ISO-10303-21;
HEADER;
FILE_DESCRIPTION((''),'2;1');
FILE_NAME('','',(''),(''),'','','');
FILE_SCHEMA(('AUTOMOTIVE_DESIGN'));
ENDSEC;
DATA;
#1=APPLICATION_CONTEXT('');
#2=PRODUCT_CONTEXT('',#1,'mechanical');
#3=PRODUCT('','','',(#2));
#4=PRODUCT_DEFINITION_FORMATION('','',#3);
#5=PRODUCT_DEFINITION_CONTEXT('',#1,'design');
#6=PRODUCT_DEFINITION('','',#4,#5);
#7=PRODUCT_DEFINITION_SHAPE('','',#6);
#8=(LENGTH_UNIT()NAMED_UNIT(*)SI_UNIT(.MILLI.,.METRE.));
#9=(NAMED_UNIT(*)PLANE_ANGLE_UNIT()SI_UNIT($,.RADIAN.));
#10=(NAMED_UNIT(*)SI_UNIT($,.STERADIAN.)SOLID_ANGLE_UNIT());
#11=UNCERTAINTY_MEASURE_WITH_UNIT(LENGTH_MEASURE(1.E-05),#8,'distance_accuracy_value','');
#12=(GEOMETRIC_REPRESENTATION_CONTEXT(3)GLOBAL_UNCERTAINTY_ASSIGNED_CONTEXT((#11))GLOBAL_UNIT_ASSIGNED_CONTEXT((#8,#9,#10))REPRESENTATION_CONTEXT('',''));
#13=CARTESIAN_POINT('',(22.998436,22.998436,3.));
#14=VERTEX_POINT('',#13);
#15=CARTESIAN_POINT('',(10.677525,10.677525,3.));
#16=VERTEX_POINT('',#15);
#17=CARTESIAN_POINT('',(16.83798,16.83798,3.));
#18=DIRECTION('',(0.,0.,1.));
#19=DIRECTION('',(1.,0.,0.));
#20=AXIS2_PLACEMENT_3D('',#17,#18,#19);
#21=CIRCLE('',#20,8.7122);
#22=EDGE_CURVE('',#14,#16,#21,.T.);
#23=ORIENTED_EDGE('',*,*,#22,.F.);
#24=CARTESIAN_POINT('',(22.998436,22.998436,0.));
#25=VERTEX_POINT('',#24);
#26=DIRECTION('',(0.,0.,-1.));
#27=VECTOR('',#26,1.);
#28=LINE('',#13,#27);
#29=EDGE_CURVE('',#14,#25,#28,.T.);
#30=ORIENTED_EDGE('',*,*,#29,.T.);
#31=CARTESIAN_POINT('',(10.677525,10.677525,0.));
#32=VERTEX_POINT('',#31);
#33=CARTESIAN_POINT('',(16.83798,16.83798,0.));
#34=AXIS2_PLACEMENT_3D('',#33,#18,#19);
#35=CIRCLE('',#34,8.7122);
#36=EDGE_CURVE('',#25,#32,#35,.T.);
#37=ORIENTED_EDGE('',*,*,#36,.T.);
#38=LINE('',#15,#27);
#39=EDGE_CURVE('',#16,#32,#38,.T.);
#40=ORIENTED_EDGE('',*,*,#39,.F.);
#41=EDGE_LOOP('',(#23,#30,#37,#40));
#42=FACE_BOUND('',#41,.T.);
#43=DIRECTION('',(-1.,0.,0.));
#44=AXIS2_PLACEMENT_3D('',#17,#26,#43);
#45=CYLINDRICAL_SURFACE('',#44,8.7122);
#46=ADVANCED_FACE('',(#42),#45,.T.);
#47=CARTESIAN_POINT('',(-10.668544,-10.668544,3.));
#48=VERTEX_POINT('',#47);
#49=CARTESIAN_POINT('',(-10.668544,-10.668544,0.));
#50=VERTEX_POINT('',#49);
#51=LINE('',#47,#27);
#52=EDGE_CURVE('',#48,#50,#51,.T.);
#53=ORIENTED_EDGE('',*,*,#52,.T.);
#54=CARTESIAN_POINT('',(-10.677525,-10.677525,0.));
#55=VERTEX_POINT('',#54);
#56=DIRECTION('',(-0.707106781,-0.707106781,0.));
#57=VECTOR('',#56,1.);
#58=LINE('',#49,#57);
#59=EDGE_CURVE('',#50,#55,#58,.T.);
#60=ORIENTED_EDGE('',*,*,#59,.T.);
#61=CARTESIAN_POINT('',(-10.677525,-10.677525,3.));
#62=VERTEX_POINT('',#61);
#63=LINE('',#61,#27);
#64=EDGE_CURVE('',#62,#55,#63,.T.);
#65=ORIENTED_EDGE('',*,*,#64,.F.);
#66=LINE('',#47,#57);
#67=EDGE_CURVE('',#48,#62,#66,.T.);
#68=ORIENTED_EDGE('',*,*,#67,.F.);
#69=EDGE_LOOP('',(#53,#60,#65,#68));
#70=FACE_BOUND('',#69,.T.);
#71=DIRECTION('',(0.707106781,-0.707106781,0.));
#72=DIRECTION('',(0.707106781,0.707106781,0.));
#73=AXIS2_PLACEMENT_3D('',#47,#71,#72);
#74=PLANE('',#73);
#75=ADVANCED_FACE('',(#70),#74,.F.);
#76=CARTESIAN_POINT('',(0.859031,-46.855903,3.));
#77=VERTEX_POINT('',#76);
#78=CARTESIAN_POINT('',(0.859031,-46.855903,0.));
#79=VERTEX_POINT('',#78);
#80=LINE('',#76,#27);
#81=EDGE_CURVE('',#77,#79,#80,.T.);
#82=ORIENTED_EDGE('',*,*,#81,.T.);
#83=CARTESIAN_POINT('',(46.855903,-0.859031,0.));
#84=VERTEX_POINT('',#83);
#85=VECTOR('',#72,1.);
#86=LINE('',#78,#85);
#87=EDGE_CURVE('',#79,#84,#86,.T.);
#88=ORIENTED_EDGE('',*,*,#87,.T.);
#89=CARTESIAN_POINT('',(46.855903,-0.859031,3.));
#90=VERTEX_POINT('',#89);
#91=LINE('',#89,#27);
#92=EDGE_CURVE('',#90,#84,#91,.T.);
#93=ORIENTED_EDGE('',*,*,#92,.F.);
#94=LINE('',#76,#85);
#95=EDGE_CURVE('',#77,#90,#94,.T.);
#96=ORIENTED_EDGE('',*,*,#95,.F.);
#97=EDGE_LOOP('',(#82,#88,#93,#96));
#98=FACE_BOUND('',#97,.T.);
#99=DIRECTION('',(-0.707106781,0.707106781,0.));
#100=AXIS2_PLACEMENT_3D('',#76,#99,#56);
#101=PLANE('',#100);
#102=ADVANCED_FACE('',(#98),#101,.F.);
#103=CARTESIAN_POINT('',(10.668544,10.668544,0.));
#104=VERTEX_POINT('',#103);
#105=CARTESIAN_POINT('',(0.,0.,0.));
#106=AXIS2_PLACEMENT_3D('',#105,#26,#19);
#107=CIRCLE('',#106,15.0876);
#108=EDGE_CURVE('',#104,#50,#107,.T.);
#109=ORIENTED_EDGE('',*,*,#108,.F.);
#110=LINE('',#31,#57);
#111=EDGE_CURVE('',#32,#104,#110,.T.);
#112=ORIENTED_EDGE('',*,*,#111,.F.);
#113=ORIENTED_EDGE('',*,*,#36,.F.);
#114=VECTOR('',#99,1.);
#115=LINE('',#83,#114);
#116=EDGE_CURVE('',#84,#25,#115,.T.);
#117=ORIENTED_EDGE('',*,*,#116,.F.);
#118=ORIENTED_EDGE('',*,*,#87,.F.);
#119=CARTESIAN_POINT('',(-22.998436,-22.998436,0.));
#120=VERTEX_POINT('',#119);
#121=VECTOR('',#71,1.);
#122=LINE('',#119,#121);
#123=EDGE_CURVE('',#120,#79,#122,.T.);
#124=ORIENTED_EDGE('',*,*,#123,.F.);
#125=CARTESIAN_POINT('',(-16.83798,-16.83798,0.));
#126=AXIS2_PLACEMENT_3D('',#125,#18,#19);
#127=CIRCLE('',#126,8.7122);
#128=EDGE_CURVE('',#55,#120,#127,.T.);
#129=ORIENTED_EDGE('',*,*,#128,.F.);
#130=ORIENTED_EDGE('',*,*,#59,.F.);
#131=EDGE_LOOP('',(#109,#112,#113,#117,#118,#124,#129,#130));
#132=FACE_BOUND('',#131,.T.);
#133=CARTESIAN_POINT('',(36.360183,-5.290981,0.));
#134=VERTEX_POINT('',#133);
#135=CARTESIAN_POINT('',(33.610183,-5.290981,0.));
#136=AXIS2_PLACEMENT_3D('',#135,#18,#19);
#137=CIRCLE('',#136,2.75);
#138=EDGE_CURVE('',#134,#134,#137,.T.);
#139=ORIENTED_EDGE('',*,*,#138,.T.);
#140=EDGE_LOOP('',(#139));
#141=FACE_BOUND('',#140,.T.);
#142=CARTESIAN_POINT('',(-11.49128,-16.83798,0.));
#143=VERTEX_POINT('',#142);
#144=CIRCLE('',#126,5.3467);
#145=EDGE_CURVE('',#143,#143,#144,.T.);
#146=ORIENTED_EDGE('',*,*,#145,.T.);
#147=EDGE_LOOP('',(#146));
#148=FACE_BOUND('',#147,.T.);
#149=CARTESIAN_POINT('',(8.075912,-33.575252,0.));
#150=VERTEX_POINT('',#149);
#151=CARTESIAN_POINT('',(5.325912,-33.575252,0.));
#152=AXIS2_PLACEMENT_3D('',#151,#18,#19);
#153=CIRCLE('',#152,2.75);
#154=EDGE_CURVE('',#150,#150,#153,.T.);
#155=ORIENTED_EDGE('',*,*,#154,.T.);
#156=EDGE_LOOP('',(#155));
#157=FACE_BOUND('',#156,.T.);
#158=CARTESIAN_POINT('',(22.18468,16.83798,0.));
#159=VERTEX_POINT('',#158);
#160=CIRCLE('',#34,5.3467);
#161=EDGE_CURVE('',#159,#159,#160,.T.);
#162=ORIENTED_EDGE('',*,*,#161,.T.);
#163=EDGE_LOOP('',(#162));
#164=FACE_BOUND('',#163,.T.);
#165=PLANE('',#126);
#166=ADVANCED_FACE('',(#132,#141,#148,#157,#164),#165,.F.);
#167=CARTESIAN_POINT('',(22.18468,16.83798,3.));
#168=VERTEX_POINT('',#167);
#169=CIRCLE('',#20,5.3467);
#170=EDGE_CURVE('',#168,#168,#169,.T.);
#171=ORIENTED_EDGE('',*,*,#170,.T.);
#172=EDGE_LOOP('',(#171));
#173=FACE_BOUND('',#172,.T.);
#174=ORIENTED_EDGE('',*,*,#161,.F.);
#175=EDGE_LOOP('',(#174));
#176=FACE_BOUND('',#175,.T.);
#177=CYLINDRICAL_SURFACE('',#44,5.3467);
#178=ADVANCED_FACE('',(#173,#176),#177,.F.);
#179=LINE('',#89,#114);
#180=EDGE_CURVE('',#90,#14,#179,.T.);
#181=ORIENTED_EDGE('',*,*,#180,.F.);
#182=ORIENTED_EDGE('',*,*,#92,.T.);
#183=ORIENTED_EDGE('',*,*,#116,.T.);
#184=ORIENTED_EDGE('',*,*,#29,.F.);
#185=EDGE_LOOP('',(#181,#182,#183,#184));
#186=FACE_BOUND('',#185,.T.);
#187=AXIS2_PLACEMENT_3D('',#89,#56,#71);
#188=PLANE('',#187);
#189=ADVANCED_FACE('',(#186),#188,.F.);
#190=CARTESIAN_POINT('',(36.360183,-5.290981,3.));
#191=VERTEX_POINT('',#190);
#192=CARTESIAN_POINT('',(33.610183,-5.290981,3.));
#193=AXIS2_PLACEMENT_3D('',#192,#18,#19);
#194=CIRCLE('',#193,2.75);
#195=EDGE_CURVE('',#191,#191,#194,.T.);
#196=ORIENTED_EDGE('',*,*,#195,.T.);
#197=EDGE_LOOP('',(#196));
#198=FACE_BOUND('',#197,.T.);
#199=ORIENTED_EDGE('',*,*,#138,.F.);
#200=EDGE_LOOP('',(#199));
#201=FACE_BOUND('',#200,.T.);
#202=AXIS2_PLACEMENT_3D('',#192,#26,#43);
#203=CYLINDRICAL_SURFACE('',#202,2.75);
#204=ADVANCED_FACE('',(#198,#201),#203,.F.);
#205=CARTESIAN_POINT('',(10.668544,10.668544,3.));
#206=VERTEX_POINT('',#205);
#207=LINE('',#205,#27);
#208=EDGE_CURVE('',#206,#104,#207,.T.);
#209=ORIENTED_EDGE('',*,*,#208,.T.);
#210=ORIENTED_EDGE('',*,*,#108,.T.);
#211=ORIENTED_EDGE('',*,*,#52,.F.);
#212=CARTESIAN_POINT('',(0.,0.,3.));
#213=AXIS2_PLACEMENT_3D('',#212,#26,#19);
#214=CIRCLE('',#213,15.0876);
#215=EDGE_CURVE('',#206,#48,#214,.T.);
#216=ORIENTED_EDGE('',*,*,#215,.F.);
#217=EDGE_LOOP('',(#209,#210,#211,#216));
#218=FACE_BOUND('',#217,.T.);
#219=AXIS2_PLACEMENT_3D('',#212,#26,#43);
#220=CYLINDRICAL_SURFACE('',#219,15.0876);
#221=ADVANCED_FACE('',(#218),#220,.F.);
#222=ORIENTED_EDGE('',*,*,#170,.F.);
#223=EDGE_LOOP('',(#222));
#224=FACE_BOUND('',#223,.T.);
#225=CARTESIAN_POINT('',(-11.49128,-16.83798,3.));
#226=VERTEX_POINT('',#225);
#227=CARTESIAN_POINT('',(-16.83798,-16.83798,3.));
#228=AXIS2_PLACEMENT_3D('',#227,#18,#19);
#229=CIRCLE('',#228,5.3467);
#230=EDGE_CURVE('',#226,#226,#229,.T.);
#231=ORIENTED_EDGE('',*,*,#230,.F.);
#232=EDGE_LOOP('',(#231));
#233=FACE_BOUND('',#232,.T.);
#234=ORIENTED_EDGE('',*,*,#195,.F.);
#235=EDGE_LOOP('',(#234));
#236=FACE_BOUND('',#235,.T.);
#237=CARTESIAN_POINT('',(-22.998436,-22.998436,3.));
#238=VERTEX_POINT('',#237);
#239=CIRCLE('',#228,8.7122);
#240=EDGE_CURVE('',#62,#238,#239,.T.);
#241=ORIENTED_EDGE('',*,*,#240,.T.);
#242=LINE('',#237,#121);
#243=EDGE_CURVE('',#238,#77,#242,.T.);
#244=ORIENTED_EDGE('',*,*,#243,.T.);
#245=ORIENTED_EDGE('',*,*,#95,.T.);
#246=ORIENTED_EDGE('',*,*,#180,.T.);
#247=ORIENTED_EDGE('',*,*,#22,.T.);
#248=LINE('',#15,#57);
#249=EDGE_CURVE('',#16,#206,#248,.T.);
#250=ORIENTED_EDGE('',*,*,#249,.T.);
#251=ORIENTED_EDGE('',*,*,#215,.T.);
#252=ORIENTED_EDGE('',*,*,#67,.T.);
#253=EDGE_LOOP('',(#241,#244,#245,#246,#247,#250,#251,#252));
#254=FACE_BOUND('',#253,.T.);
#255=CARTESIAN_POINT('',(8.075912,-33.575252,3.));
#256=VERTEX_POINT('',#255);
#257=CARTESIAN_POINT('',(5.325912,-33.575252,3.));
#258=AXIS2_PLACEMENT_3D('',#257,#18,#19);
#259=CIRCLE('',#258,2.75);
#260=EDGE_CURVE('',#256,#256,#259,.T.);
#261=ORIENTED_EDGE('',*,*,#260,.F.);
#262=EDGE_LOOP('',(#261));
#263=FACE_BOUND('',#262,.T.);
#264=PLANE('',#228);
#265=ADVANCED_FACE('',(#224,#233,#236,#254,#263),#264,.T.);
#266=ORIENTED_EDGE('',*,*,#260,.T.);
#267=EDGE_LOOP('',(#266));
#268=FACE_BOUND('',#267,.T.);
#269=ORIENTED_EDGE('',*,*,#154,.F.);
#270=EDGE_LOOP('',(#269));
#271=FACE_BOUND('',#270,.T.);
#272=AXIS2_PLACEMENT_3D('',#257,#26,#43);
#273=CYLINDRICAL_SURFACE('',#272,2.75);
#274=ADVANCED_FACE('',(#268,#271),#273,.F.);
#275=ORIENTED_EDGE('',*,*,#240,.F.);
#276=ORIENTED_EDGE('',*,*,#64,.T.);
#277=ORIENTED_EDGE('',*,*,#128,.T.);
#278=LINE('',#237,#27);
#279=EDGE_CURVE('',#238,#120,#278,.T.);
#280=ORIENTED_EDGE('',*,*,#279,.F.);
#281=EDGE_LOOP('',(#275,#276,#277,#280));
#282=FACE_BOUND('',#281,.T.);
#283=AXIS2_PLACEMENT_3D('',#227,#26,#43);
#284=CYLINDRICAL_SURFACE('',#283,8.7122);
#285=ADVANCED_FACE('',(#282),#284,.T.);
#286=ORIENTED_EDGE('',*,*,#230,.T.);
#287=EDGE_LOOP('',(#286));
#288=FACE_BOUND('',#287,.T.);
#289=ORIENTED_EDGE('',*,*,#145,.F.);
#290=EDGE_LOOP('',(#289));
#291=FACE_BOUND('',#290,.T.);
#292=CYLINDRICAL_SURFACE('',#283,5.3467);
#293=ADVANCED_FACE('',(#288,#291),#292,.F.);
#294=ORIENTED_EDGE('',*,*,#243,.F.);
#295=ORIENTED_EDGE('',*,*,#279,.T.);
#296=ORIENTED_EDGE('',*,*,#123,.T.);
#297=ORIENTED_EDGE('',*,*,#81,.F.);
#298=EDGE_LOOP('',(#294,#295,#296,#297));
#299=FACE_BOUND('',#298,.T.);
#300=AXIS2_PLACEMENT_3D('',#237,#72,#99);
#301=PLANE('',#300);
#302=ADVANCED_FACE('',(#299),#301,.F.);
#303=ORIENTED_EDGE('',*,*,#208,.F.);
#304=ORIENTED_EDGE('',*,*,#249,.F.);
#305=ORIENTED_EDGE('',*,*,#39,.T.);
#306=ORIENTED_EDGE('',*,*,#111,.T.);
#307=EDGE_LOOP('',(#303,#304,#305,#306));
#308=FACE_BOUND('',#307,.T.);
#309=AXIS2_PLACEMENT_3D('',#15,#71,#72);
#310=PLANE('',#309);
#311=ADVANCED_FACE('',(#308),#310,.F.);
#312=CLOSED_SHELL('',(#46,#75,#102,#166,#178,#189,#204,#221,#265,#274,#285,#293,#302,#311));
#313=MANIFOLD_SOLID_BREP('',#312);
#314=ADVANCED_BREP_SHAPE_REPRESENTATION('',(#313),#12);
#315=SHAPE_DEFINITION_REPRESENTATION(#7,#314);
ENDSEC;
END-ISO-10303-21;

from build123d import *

# Parameters (mm, degrees)
SKETCH8_R           = 2.75
SKETCH8_R_2         = 5.3467
BOSS_EXTRUDE1_DEPTH = 3


with BuildPart() as part:
    # Sketch8 → Boss-Extrude1 (new body)
    with BuildSketch(Plane.XY):
        with BuildLine():
            Line((-22.998435926, -22.998435926), (0.859030886, -46.855902739))
            Line((0.859030886, -46.855902739), (46.855902739, -0.859030886))
            Line((46.855902739, -0.859030886), (22.998435926, 22.998435926))
            ThreePointArc((22.998435926, 22.998435926), (10.677524528, 22.998435926), (10.677524528, 10.677524528))
            Line((10.677524528, 10.677524528), (10.668544272, 10.668544272))
            ThreePointArc((10.668544272, 10.668544272), (10.668544272, -10.668544272), (-10.668544272, -10.668544272))
            Line((-10.668544272, -10.668544272), (-10.677524528, -10.677524528))
            ThreePointArc((-10.677524528, -10.677524528), (-22.998435926, -10.677524528), (-22.998435926, -22.998435926))
        make_face()
        with Locations((33.610182952, -5.29098063)):
            Circle(SKETCH8_R, mode=Mode.SUBTRACT)
        with Locations((16.837980227, 16.837980227)):
            Circle(SKETCH8_R_2, mode=Mode.SUBTRACT)
        with Locations((-16.837980227, -16.837980227)):
            Circle(SKETCH8_R_2, mode=Mode.SUBTRACT)
        with Locations((5.325911705, -33.575251877)):
            Circle(SKETCH8_R, mode=Mode.SUBTRACT)
    extrude(amount=BOSS_EXTRUDE1_DEPTH)


solid = part.part
